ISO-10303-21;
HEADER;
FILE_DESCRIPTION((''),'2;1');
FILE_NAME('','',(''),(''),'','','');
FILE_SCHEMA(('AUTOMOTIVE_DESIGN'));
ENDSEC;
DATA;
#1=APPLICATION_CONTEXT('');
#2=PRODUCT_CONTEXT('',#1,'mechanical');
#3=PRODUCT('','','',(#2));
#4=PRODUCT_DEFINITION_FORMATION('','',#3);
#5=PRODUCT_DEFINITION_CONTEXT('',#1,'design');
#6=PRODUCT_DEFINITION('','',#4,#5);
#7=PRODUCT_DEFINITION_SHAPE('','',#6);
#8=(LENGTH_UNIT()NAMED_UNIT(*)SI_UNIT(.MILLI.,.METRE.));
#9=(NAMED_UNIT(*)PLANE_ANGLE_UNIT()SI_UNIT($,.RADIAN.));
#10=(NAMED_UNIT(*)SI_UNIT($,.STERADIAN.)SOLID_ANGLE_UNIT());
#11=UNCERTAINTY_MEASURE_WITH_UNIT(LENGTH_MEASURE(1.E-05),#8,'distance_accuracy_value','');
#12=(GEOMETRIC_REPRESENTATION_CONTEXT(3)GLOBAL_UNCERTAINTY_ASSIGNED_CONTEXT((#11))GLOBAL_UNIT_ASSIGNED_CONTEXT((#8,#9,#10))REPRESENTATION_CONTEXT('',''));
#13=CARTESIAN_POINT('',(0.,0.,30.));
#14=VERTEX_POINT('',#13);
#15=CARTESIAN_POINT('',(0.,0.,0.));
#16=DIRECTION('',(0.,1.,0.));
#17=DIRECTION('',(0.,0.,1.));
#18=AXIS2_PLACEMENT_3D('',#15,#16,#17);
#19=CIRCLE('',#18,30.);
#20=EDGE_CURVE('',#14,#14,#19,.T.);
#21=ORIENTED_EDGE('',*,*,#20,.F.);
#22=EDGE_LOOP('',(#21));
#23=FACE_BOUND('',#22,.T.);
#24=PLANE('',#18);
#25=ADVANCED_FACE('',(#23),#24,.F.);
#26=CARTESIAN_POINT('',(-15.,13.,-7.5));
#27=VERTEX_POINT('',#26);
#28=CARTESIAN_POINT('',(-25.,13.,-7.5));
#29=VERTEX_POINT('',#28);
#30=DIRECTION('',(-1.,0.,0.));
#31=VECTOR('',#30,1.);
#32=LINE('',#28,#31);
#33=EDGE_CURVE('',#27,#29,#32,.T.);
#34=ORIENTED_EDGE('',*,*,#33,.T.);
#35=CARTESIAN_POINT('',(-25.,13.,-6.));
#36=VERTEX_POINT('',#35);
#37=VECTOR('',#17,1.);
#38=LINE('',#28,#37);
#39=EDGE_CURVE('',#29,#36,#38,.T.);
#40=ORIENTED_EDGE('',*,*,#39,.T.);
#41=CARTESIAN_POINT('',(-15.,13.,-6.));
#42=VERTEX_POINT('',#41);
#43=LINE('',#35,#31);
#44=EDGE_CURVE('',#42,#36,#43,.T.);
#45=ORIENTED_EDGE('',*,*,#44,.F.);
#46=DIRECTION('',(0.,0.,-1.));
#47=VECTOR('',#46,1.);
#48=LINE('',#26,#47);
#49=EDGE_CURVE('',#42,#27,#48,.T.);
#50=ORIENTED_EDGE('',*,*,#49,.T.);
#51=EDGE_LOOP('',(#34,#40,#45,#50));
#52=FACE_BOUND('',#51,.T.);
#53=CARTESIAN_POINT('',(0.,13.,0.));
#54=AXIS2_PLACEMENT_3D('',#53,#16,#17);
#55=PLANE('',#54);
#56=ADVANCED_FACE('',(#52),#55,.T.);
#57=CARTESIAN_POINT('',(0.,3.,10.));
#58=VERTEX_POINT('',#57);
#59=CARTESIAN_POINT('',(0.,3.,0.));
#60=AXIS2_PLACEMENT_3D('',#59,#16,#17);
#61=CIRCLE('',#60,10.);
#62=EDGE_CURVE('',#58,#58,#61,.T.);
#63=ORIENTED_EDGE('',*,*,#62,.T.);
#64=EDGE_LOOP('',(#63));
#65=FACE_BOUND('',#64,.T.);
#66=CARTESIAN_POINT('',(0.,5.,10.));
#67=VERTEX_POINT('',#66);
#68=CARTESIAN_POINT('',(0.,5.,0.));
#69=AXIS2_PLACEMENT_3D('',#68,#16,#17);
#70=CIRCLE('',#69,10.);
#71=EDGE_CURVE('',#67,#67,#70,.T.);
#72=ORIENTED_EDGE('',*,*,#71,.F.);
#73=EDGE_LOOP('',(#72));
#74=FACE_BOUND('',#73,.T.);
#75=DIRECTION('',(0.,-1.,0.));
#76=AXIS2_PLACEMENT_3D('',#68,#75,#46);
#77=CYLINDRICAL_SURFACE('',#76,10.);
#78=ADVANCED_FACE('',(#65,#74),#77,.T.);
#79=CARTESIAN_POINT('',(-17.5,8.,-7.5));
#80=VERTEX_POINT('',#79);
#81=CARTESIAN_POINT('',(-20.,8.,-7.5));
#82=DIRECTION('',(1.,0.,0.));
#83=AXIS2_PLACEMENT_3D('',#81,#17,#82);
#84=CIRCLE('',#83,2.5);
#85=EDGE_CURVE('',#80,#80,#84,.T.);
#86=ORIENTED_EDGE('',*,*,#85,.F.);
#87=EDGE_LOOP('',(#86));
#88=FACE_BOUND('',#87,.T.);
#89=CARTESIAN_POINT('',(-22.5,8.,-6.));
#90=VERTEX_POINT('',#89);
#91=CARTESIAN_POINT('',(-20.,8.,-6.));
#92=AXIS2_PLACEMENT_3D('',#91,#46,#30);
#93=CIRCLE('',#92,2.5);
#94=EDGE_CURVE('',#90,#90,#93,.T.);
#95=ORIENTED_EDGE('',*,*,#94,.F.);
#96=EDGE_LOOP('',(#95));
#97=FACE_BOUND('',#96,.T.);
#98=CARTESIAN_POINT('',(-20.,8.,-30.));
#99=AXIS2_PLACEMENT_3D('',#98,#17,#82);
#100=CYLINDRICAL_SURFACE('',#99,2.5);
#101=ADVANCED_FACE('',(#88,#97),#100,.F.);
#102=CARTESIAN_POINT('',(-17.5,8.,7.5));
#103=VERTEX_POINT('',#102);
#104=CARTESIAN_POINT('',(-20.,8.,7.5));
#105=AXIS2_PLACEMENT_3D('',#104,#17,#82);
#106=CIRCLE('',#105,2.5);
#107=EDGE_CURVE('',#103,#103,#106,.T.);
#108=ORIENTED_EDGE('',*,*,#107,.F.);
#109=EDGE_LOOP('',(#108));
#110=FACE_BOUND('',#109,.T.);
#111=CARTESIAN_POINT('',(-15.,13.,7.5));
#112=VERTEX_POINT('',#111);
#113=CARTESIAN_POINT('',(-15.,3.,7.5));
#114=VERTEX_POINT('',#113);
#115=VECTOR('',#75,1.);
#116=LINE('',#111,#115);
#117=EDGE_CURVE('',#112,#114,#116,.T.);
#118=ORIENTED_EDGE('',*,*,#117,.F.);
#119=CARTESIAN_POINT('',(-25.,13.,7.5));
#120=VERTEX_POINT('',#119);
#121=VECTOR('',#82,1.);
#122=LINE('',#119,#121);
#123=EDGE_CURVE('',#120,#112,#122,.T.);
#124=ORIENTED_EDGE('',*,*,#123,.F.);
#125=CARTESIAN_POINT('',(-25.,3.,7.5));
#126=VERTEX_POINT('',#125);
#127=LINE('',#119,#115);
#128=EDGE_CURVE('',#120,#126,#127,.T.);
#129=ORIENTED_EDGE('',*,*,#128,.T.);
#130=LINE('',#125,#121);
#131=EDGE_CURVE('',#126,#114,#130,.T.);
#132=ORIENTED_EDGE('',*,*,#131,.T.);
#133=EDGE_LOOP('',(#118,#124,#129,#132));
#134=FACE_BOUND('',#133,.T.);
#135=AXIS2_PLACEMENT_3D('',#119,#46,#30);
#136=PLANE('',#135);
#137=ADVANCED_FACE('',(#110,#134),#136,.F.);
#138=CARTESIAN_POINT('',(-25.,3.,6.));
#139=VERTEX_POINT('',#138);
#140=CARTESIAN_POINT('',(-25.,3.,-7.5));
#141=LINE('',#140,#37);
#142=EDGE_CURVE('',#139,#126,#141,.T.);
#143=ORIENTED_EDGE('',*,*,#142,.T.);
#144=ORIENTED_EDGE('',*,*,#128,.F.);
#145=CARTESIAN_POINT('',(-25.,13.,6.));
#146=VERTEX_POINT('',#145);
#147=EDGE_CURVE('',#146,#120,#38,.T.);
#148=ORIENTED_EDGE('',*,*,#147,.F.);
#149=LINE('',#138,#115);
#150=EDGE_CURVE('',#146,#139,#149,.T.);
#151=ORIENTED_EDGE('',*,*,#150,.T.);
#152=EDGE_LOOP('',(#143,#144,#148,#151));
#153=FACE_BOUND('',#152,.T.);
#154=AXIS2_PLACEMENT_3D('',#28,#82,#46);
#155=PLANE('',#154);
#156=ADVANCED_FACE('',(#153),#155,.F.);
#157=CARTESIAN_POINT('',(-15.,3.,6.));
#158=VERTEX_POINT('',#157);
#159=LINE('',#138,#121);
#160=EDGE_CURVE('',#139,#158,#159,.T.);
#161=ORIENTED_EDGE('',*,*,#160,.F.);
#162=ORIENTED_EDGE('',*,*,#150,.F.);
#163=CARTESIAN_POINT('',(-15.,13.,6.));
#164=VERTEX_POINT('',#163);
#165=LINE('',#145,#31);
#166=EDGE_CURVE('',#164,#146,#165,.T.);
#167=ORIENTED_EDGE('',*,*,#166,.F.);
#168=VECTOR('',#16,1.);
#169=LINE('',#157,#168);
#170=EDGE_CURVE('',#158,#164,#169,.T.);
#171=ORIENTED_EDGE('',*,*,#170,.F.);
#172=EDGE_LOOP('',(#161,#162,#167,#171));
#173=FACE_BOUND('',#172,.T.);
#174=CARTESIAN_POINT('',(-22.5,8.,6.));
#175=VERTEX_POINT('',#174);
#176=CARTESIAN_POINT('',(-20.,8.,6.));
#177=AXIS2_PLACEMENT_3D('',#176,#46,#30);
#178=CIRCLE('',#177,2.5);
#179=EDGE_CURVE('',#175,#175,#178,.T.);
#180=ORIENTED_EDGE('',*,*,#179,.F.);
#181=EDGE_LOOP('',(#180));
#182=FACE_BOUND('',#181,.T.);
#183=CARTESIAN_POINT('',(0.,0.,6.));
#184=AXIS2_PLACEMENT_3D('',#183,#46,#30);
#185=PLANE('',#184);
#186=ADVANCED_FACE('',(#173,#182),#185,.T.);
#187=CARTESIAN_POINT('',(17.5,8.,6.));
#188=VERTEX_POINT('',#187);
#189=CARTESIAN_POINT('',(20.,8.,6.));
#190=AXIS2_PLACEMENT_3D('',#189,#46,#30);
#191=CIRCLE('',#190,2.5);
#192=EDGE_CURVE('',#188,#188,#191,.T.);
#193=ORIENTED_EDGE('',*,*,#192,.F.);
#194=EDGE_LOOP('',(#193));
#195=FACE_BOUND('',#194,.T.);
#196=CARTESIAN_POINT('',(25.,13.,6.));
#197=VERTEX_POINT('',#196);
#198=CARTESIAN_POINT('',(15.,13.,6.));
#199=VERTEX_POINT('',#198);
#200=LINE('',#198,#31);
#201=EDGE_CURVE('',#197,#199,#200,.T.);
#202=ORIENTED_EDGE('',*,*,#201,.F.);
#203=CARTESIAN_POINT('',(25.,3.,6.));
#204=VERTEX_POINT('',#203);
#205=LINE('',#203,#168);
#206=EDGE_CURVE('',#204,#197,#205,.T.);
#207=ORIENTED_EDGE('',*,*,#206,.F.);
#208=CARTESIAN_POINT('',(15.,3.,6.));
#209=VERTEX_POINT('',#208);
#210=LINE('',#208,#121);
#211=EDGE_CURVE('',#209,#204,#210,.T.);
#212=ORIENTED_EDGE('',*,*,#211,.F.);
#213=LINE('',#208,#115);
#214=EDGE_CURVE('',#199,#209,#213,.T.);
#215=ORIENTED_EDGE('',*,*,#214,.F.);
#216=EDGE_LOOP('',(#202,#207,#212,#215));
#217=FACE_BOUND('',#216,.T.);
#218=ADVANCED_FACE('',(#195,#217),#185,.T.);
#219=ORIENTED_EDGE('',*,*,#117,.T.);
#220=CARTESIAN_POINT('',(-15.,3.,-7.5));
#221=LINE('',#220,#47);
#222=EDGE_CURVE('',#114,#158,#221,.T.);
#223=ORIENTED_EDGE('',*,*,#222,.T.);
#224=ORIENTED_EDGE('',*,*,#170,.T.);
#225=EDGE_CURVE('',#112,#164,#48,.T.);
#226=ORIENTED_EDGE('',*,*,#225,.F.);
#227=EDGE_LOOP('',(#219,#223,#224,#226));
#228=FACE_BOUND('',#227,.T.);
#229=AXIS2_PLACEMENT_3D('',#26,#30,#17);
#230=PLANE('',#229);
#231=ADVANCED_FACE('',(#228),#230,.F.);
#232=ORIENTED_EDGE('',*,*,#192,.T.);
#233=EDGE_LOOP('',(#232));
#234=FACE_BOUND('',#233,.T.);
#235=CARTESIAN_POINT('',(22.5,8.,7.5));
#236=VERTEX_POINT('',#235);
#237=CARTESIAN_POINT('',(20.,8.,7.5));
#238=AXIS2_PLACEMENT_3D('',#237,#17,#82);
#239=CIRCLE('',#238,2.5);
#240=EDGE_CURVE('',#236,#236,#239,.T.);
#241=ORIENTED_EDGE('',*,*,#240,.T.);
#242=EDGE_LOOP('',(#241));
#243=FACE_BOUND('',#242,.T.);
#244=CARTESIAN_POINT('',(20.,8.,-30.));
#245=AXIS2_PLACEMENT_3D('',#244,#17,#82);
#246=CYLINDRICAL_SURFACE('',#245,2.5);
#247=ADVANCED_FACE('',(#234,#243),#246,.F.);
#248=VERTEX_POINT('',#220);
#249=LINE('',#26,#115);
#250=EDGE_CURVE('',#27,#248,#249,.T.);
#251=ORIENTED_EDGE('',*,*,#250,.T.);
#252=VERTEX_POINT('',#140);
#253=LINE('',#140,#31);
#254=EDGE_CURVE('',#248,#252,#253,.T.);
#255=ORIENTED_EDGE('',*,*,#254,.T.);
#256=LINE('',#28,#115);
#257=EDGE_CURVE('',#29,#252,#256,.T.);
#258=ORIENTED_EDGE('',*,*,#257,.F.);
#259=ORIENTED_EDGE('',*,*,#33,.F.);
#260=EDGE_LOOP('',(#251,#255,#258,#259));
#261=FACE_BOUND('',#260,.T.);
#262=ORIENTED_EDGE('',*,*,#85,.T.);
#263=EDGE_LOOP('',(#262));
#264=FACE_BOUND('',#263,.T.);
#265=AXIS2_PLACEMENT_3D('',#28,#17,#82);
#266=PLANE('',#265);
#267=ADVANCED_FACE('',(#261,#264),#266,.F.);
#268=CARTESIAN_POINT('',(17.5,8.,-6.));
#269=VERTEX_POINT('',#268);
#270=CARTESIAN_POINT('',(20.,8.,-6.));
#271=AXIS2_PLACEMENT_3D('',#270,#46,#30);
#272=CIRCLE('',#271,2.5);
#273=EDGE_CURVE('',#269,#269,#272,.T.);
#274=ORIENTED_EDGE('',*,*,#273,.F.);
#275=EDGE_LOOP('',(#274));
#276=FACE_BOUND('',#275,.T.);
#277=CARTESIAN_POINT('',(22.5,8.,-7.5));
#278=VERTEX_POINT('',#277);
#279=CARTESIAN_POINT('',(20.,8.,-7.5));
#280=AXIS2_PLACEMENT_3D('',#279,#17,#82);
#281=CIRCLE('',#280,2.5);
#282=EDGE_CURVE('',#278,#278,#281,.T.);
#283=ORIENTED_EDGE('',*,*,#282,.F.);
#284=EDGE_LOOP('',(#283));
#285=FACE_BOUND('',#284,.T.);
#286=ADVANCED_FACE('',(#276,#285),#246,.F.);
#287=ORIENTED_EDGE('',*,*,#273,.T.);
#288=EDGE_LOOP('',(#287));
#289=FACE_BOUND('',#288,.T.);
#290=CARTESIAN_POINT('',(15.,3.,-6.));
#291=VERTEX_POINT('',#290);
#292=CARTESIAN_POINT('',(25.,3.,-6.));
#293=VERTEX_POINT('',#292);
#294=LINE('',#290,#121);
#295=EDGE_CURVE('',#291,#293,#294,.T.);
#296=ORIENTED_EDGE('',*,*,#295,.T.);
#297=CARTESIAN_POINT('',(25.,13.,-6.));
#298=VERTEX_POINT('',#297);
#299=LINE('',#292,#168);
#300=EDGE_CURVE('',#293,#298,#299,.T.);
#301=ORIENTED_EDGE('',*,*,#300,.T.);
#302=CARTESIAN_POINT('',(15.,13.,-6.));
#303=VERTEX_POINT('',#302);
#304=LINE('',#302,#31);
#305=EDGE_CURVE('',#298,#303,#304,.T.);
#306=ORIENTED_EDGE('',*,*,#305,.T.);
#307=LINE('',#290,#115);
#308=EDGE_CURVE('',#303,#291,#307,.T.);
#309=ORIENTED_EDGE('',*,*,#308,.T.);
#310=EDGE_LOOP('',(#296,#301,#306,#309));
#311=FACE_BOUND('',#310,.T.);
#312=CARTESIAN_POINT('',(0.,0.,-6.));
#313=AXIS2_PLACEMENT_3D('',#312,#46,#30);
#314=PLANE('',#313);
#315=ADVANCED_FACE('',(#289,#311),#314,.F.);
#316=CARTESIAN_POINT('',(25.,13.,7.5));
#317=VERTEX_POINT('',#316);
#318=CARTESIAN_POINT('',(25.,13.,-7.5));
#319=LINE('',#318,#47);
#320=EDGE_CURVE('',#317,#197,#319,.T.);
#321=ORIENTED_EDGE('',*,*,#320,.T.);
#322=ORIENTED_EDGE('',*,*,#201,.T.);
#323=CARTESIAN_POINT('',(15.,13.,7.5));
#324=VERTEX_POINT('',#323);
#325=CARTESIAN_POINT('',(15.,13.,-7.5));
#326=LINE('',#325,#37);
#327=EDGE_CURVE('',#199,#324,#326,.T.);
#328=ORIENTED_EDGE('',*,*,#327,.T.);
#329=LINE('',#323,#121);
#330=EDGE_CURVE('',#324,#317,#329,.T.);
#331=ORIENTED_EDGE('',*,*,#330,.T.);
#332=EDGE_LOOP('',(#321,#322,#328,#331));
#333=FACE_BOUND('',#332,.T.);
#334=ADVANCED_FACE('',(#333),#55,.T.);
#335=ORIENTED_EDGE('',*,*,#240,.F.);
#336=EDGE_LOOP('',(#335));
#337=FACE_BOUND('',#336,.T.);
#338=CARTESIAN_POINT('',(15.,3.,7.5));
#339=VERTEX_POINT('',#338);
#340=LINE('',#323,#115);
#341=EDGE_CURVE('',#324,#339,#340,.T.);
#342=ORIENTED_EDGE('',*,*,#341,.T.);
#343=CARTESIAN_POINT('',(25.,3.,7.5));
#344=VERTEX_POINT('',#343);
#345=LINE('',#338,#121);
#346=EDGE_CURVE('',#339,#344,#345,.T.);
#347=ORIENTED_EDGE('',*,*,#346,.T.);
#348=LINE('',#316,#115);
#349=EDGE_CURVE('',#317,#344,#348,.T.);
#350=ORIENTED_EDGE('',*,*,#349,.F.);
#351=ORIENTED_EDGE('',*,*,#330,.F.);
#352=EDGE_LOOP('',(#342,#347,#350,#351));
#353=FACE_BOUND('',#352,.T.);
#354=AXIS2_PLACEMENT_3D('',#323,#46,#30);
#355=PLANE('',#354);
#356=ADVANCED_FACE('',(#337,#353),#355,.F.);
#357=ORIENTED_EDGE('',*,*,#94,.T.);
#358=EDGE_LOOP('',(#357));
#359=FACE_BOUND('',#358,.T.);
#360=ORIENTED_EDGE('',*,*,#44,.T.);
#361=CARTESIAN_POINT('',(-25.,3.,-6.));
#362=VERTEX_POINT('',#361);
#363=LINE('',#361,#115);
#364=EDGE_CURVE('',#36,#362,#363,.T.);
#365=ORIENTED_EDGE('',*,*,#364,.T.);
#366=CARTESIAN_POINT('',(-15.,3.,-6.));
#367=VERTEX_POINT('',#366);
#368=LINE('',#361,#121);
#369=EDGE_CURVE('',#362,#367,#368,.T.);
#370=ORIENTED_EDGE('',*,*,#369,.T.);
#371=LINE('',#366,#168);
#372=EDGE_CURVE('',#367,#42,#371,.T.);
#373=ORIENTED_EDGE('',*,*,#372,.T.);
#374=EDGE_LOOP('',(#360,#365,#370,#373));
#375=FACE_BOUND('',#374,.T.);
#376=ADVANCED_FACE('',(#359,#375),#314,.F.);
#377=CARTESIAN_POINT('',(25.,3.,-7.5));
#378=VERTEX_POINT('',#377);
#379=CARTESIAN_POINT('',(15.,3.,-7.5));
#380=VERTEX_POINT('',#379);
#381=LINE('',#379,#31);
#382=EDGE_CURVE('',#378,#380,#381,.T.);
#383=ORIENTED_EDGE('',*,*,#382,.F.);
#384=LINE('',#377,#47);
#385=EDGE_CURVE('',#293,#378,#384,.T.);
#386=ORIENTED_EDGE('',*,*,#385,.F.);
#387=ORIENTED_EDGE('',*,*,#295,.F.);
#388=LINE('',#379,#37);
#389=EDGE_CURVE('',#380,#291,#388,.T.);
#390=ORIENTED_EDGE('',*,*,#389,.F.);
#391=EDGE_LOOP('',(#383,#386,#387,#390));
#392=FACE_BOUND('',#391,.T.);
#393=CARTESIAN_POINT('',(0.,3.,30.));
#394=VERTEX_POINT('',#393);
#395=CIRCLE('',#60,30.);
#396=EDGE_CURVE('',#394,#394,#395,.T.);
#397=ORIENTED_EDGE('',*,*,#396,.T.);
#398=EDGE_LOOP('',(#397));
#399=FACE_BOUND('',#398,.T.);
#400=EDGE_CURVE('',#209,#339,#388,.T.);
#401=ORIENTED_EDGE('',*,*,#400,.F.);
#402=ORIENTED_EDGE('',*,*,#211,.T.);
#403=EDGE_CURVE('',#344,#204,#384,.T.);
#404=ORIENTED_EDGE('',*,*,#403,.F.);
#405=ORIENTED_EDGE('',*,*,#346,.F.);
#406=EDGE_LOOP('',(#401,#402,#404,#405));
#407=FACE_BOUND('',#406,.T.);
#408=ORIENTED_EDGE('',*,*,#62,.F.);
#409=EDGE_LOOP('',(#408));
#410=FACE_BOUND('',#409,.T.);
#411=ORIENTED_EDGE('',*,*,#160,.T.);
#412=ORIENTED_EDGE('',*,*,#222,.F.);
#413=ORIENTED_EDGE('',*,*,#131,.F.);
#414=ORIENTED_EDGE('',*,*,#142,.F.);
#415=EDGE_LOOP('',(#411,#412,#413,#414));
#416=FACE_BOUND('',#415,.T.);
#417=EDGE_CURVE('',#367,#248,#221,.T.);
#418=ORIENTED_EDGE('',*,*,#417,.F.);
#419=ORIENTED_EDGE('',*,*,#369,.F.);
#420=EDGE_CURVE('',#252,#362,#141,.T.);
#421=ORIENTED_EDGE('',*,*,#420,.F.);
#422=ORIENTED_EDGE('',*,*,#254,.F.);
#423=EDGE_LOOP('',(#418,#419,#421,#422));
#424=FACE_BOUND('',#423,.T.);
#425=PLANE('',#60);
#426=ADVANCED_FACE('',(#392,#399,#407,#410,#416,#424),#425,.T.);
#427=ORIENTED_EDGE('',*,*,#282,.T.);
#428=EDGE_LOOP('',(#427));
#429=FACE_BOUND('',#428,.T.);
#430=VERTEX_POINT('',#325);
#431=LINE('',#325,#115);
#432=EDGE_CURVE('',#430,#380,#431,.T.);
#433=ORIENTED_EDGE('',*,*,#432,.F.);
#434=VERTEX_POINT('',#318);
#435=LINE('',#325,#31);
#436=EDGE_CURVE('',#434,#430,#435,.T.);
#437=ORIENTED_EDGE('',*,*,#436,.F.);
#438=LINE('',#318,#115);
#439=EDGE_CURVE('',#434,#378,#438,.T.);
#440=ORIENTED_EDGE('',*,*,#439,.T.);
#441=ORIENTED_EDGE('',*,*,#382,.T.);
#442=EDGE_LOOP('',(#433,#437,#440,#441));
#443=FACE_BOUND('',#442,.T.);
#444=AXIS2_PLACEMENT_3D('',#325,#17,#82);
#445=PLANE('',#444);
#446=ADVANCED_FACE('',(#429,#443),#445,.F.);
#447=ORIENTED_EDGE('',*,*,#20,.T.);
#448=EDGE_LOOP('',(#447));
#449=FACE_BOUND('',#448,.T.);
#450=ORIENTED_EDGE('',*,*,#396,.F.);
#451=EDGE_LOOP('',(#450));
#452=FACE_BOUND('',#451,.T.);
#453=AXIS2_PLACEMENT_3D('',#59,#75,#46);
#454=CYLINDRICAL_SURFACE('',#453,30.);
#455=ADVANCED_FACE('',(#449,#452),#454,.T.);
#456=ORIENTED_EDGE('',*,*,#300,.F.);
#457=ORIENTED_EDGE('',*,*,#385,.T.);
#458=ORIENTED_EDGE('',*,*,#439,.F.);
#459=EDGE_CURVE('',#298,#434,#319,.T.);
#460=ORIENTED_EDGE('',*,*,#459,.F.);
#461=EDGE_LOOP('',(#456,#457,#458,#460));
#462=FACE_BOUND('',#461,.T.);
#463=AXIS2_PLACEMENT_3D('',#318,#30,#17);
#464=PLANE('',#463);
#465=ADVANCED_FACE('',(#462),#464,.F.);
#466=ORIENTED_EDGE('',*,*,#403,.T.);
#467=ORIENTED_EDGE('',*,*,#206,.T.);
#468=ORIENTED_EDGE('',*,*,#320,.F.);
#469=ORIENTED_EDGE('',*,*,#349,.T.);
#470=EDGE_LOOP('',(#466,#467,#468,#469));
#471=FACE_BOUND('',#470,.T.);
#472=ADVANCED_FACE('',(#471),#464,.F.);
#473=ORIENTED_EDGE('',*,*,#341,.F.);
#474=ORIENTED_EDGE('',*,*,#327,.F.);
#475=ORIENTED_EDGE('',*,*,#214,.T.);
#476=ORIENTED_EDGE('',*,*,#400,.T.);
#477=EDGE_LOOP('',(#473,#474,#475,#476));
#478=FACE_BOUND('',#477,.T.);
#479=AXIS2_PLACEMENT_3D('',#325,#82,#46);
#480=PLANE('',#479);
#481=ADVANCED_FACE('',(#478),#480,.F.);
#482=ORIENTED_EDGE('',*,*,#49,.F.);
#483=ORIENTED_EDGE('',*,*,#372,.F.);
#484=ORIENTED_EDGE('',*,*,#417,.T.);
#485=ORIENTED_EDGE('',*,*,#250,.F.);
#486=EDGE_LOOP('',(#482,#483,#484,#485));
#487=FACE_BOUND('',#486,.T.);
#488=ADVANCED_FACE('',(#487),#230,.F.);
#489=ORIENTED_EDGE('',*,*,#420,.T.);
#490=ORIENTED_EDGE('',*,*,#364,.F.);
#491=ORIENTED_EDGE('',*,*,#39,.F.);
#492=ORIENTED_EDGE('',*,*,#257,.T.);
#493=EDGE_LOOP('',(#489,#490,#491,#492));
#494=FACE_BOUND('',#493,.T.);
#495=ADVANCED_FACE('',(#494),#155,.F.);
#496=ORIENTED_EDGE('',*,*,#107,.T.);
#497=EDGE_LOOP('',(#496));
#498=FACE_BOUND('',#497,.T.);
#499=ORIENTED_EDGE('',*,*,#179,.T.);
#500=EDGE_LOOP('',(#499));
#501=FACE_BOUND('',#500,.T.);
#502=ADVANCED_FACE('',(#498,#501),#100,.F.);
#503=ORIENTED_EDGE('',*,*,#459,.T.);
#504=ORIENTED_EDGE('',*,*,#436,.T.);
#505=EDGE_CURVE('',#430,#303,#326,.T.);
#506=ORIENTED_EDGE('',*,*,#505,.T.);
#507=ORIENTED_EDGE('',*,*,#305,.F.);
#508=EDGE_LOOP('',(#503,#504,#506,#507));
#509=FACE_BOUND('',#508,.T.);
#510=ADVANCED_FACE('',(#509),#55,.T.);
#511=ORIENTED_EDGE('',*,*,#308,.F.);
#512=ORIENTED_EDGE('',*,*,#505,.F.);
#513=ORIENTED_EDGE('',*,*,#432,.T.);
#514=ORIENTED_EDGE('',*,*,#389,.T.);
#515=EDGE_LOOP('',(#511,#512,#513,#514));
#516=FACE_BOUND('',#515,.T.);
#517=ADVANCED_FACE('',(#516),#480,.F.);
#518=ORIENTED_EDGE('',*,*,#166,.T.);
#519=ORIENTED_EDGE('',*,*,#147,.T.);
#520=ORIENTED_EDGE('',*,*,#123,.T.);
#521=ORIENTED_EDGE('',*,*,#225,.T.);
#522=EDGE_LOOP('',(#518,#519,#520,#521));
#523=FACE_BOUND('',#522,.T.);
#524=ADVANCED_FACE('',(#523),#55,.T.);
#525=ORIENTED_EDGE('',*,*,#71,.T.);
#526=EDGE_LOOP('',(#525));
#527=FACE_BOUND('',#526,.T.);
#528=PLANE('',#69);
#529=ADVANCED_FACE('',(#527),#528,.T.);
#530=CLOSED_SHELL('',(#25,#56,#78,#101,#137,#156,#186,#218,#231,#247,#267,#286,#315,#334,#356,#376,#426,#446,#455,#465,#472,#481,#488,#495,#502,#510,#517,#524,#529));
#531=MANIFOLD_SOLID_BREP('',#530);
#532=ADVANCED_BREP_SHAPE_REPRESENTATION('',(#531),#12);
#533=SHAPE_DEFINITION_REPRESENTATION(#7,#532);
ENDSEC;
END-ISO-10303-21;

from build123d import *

# Parameters (mm, degrees)
SKETCH1_R           = 30
BOSS_EXTRUDE1_DEPTH = 3
SKETCH2_R           = 10
BOSS_EXTRUDE2_DEPTH = 2
SKETCH3_W           = 10
SKETCH3_H           = 15
BOSS_EXTRUDE3_DEPTH = 10
CUT_EXTRUDE1_START  = -1.5
SKETCH4_W           = 10
SKETCH4_H           = 10
CUT_EXTRUDE1_DEPTH  = 12
SKETCH5_R           = 2.5
CUT_EXTRUDE2_DEPTH  = 50.751884386


with BuildPart() as part:
    # Sketch1 → Boss-Extrude1 (new body)
    with BuildSketch(Plane(origin=(0, 0, 0), x_dir=(1, 0, 0), z_dir=(0, 1, 0))):
        with Locations(Location((0, 0, 0), (0, 0, 270))):
            Circle(SKETCH1_R)
    extrude(amount=BOSS_EXTRUDE1_DEPTH)

    # Sketch2 → Boss-Extrude2 (add)
    with BuildSketch(Plane(origin=(0, 3, 0), x_dir=(1, 0, 0), z_dir=(0, 1, 0))):
        with Locations(Location((0, 0, 0), (0, 0, 270))):
            Circle(SKETCH2_R)
    extrude(amount=BOSS_EXTRUDE2_DEPTH)

    # Sketch3 → Boss-Extrude3 (add)
    with BuildSketch(Plane(origin=(0, 3, 0), x_dir=(1, 0, 0), z_dir=(0, 1, 0))):
        with Locations((-20, 0)):
            Rectangle(SKETCH3_W, SKETCH3_H)
        with Locations((20, 0)):
            Rectangle(SKETCH3_W, SKETCH3_H)
    extrude(amount=BOSS_EXTRUDE3_DEPTH)

    # Sketch4 → Cut-Extrude1 (cut)
    with BuildSketch(Plane.XY.offset(7.5).offset(CUT_EXTRUDE1_START)):
        with Locations((-20, 8)):
            Rectangle(SKETCH4_W, SKETCH4_H)
        with Locations((20, 8)):
            Rectangle(SKETCH4_W, SKETCH4_H)
    extrude(amount=-CUT_EXTRUDE1_DEPTH, mode=Mode.SUBTRACT)

    # Sketch5 → Cut-Extrude2 (cut, through all)
    with BuildSketch(Plane.XY.offset(7.5)):
        with Locations((20, 8)):
            Circle(SKETCH5_R)
        with Locations((-20, 8)):
            Circle(SKETCH5_R)
    extrude(amount=-CUT_EXTRUDE2_DEPTH, mode=Mode.SUBTRACT)


solid = part.part
